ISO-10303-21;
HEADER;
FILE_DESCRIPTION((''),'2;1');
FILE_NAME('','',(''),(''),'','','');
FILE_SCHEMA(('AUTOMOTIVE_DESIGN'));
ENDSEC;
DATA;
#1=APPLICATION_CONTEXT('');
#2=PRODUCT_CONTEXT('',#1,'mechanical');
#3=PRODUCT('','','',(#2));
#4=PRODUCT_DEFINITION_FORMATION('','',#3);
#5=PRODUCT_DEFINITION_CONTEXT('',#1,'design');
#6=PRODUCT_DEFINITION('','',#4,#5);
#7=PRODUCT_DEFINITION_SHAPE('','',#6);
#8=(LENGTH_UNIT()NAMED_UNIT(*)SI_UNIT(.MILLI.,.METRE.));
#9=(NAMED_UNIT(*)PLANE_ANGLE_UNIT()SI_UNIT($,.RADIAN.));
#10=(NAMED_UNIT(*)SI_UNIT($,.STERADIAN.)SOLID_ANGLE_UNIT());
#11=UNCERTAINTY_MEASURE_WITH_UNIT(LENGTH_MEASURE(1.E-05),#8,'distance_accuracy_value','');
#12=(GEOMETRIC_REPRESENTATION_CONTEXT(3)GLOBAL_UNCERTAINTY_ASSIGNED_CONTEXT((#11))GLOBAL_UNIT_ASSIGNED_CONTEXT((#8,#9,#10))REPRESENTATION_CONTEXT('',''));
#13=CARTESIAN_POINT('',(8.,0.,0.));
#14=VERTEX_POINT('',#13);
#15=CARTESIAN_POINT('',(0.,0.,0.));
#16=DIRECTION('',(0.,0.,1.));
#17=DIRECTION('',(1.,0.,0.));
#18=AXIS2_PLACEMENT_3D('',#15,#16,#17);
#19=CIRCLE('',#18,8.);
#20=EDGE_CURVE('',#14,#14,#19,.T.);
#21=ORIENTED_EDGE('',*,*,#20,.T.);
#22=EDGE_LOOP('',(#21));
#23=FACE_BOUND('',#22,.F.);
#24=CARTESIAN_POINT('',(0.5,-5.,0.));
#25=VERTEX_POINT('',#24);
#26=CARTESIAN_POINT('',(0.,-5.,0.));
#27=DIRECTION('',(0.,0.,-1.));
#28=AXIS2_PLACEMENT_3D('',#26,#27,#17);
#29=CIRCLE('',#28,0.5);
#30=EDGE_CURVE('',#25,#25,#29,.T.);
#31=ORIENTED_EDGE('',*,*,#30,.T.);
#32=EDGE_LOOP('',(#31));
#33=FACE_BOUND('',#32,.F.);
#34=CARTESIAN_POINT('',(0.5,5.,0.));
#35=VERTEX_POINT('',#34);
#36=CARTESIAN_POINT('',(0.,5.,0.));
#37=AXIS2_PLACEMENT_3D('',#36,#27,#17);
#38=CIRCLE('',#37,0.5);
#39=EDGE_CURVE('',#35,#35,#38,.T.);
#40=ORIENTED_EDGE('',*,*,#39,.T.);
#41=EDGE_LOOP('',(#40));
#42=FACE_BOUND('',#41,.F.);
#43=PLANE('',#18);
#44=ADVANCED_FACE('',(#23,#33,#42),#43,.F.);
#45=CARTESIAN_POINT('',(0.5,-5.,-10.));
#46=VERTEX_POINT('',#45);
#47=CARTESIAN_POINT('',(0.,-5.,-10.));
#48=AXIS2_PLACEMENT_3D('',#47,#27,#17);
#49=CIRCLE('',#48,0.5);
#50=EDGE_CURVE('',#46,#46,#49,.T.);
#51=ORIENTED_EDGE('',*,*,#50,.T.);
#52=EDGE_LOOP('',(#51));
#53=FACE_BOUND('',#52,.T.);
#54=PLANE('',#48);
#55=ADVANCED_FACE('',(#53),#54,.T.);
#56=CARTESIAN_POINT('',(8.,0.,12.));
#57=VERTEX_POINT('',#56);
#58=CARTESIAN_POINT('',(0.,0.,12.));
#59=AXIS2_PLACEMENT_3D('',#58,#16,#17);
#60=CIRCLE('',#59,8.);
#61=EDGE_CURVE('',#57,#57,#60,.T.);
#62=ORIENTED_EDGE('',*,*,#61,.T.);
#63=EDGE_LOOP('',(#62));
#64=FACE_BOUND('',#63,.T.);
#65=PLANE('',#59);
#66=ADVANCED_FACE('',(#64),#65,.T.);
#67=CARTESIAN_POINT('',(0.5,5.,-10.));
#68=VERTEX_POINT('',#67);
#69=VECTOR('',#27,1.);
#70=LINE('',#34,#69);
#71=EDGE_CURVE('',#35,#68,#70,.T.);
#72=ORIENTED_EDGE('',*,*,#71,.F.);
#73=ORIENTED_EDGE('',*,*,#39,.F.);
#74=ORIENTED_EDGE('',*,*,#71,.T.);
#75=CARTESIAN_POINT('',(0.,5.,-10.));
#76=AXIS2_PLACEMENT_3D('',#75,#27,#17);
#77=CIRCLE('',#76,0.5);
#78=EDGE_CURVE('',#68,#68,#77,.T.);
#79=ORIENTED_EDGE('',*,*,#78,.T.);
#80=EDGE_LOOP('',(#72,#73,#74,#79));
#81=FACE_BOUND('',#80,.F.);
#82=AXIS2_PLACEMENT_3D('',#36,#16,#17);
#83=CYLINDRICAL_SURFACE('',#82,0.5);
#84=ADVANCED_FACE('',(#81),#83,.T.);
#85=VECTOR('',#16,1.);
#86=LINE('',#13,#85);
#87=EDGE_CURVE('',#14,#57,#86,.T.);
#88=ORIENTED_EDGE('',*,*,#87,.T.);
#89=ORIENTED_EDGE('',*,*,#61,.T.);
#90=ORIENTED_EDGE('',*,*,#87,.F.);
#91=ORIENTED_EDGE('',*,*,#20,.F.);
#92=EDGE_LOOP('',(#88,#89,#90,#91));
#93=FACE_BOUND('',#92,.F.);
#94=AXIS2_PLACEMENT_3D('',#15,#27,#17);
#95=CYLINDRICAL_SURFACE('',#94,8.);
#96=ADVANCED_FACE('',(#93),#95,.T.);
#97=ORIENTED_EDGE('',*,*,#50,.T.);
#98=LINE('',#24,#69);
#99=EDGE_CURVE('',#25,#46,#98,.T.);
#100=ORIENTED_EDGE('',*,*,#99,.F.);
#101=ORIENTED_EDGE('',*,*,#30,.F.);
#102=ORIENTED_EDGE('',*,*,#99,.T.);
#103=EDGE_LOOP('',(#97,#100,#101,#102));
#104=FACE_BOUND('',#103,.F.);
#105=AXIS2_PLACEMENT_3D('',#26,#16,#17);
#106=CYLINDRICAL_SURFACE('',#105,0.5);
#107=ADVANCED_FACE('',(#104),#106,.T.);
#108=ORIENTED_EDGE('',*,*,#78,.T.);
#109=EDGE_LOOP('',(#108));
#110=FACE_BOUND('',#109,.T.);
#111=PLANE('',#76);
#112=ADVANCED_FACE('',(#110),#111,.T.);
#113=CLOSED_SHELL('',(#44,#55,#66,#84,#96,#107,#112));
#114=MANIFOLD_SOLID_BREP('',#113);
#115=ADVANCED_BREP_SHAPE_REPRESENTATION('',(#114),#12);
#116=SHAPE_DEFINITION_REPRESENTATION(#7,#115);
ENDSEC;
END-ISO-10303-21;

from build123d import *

# Parameters (mm, degrees)
SKETCH_R     = 8
PAD_DEPTH    = 12
SKETCH001_R  = 0.5
PAD001_DEPTH = 10


with BuildPart() as part:
    # Sketch → Pad (new body)
    with BuildSketch(Plane.XY):
        Circle(SKETCH_R)
    extrude(amount=PAD_DEPTH)

    # Sketch001 (on Face2 of Pad) → Pad001 (join)
    with BuildSketch(Plane(origin=(0, 0, 0), x_dir=(1, 0, 0), z_dir=(0, 0, -1))):
        with Locations((0, 5)):
            Circle(SKETCH001_R)
        with Locations((0, -5)):
            Circle(SKETCH001_R)
    extrude(amount=PAD001_DEPTH)


solid = part.part
